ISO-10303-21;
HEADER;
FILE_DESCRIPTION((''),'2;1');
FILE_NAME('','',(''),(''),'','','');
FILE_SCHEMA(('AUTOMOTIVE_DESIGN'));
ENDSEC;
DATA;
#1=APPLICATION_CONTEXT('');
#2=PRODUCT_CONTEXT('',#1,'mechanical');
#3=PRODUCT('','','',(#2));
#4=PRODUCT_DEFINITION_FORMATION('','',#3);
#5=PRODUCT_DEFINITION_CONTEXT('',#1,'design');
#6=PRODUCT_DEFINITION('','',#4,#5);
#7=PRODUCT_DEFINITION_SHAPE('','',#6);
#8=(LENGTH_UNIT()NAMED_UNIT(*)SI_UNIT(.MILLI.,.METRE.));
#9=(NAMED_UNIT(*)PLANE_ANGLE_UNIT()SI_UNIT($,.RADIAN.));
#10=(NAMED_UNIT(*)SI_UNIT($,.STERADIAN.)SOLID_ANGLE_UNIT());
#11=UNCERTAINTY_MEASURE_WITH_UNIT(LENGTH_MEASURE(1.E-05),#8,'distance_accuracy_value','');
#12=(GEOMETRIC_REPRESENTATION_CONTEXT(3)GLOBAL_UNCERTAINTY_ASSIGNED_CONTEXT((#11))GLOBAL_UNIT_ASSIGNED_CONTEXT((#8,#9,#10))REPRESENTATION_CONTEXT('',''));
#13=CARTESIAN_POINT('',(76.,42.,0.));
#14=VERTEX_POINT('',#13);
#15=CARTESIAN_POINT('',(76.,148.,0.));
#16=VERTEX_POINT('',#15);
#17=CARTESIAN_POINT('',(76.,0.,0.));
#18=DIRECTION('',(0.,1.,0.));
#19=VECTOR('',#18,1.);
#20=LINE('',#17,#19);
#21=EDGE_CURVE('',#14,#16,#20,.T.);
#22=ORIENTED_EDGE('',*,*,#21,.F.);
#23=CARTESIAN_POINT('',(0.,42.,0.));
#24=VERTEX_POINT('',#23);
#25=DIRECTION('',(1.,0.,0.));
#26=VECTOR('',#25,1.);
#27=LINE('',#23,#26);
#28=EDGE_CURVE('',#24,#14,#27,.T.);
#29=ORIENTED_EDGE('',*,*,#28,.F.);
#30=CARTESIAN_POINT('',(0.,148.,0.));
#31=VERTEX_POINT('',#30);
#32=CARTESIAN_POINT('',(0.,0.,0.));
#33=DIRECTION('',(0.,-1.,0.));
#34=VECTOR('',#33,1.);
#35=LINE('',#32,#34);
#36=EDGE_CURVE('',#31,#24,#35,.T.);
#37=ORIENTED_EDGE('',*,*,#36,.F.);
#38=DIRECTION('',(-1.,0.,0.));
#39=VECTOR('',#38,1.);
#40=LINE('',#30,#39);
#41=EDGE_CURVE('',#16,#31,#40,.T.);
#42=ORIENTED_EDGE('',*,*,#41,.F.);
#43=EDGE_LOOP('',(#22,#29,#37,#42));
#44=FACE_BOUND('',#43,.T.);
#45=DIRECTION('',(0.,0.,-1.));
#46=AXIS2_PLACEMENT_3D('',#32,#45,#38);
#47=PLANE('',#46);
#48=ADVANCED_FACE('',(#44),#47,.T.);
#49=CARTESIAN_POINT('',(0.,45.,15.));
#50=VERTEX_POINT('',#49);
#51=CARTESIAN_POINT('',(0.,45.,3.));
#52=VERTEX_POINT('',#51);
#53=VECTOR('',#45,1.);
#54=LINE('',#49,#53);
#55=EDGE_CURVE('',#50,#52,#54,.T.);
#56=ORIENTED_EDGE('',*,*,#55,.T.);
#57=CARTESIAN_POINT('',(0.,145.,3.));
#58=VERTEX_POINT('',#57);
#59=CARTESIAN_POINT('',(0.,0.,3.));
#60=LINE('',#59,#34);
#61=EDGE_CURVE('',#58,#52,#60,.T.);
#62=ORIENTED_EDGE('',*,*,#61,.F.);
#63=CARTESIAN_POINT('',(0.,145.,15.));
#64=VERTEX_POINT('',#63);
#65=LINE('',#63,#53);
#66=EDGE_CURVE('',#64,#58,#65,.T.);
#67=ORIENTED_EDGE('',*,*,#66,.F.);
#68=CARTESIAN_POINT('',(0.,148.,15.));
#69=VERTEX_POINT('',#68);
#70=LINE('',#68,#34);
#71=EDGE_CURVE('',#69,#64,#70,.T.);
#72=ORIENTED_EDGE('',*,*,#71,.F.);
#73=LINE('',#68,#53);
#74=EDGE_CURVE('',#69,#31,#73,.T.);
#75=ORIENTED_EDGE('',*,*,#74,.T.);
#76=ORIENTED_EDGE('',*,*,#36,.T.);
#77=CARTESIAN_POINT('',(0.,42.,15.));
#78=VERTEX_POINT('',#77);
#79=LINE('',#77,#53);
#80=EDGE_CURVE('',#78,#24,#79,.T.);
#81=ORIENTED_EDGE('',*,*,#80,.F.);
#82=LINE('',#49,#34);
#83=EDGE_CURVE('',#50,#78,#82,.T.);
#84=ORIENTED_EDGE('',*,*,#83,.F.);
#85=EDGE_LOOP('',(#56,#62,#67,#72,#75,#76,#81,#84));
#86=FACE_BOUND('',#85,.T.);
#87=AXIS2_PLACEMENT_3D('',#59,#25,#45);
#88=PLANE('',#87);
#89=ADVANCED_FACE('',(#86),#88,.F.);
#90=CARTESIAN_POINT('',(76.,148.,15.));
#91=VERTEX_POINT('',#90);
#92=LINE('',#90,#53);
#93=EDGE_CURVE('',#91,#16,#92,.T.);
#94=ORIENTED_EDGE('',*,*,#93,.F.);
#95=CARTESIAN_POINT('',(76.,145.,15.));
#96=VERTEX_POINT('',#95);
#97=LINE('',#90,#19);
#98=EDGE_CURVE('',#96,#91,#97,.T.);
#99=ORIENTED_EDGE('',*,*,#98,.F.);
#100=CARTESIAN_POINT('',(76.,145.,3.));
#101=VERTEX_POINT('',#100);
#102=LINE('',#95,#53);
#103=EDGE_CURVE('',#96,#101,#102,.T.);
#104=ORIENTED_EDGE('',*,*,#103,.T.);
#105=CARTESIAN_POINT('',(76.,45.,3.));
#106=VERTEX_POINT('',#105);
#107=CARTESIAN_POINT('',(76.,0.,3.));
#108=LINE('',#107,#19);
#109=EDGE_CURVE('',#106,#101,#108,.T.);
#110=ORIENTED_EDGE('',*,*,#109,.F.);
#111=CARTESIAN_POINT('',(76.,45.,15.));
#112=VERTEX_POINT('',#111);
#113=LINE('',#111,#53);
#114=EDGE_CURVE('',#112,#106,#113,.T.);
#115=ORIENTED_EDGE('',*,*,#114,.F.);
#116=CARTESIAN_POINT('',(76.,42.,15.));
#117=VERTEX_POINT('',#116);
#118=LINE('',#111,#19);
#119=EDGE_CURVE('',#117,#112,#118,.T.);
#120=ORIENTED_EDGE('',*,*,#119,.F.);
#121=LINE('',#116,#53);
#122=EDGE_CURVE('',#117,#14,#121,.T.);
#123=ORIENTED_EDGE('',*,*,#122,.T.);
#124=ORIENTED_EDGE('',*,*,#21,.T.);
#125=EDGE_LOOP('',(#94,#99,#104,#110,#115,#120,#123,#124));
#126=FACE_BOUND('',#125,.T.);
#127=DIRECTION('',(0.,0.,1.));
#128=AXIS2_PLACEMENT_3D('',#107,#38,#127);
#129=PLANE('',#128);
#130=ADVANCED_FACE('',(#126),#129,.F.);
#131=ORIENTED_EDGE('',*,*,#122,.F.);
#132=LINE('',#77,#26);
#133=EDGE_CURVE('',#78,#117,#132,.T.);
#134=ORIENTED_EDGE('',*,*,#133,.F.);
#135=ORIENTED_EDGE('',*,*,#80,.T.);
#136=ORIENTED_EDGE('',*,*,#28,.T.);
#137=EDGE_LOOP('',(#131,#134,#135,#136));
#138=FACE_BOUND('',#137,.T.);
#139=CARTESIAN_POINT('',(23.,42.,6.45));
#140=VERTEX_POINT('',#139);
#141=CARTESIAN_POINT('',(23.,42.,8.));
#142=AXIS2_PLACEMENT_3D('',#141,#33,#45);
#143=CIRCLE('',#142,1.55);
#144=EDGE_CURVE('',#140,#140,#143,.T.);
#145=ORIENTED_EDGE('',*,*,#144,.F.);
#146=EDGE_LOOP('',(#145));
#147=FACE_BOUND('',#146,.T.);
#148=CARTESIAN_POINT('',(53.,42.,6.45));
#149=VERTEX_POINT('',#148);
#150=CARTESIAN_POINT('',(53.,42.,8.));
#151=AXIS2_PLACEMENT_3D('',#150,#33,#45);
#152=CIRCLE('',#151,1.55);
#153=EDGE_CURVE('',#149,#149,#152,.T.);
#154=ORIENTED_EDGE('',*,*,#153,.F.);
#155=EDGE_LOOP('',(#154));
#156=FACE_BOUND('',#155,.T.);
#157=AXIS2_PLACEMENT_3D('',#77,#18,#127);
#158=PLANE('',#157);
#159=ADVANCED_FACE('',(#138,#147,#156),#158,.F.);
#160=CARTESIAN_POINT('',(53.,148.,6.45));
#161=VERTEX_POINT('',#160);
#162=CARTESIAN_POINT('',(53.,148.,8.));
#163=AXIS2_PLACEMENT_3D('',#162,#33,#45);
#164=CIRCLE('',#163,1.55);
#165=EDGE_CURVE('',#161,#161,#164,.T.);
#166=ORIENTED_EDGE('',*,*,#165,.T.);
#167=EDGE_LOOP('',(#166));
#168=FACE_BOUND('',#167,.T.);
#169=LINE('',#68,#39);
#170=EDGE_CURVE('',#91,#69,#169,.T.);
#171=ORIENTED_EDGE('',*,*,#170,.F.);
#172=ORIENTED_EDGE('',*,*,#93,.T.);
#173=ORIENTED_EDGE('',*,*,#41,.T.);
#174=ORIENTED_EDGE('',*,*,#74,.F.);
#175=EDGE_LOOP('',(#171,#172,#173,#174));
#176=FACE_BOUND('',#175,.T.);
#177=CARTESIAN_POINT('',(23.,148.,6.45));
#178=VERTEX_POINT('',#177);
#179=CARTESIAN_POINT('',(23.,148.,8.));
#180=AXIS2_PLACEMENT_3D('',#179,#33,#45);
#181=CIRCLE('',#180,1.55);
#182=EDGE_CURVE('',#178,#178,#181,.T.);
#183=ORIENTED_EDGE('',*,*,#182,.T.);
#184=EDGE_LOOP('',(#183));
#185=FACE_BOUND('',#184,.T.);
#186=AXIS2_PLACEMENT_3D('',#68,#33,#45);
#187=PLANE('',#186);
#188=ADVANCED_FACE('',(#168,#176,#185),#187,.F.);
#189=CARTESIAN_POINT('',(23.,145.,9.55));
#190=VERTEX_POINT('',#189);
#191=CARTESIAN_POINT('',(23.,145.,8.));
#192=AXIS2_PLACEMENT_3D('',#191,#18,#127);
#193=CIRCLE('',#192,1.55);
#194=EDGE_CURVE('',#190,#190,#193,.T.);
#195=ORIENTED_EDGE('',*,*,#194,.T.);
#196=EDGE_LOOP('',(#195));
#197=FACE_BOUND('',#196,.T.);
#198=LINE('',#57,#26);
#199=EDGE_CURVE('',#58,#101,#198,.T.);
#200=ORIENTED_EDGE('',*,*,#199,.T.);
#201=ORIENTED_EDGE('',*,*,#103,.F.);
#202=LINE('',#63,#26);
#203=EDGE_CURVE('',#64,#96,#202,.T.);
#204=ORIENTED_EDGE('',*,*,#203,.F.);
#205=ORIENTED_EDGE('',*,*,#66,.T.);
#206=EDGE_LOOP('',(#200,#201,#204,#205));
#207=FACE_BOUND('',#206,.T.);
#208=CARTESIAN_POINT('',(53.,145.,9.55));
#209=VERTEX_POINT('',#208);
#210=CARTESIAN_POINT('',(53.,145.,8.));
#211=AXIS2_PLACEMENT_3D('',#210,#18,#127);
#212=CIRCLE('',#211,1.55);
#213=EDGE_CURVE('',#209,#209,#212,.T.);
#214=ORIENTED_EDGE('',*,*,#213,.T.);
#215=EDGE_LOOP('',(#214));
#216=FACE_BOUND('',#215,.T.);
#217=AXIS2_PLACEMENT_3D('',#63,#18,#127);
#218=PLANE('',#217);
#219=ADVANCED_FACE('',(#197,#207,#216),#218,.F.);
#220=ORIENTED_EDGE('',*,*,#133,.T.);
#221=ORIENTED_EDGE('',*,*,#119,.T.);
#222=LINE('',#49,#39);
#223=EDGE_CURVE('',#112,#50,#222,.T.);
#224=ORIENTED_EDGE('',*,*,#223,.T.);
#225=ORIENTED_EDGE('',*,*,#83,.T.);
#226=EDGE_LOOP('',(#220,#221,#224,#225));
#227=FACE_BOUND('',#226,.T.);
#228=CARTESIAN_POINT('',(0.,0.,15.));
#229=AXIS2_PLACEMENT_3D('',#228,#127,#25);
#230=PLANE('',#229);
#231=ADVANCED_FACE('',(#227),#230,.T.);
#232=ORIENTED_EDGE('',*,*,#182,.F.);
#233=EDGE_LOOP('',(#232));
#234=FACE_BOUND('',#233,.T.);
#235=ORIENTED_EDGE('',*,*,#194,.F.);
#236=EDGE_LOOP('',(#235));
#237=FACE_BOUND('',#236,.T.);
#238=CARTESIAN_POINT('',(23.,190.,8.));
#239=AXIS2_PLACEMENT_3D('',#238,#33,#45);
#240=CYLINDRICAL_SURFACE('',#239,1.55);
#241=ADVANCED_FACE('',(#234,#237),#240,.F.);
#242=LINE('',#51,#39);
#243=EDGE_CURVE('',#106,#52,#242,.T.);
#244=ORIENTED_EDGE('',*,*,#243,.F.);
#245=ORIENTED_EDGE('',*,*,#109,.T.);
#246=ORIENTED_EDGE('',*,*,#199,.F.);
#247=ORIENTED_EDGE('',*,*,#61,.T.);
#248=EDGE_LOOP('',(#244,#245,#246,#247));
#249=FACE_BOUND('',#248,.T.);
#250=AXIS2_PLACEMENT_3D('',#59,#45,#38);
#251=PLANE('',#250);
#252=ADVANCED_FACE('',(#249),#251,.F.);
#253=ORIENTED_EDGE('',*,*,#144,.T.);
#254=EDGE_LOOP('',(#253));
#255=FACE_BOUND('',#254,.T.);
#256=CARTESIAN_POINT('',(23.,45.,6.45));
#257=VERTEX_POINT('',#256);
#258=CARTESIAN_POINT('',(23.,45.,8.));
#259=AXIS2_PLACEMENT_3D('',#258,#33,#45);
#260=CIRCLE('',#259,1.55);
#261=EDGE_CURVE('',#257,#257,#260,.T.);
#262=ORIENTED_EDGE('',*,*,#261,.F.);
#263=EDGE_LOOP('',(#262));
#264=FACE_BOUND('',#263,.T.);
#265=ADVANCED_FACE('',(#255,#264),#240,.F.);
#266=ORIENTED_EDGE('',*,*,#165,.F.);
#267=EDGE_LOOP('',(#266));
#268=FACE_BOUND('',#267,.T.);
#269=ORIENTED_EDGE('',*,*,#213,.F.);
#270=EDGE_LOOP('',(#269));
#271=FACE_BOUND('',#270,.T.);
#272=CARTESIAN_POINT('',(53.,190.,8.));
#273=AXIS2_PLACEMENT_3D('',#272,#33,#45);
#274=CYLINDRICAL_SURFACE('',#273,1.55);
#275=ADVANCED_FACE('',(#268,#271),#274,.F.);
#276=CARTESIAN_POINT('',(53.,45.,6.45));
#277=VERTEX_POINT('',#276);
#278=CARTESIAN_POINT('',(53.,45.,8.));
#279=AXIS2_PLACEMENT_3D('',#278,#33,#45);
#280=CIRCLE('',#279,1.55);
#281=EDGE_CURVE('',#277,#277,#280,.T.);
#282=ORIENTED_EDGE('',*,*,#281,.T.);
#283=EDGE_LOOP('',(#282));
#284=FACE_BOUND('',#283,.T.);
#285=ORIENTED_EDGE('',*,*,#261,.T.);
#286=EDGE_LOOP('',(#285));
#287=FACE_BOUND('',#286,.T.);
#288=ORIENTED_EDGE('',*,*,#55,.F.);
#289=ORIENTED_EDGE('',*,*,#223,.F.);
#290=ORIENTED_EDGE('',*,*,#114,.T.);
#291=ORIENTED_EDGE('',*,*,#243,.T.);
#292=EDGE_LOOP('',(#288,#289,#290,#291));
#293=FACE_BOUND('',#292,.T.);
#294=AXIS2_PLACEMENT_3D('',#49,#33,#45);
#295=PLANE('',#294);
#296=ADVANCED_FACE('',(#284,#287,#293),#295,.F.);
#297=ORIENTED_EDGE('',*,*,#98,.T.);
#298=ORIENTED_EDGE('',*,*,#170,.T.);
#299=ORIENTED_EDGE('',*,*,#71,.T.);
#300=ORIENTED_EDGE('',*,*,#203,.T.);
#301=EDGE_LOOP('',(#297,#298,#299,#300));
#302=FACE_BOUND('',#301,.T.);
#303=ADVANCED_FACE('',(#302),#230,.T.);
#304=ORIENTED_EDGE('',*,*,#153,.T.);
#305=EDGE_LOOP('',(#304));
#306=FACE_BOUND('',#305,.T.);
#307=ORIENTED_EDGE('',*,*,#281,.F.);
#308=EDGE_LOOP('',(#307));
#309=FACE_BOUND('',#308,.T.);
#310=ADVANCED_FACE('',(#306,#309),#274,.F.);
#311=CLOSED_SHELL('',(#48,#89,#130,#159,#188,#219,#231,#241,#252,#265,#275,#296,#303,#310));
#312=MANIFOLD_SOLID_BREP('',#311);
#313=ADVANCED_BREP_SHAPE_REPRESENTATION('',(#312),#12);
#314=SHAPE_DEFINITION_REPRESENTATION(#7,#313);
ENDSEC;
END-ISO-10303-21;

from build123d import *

# Parameters (mm, degrees)
SKETCH_1_W          = 76
SKETCH_1_H          = 190
SKETCH_1_R          = 1.55
EXTRUDE_1_DEPTH     = 3
SKETCH_2_W          = 76
SKETCH_2_H          = 3
EXTRUDE_2_DEPTH     = 12
SKETCH_3_R          = 1.55
CUT_EXTRUDE_1_DEPTH = 168.047897323
SKETCH_4_W          = 76
SKETCH_4_H          = 42
CUT_EXTRUDE_2_DEPTH = 10


with BuildPart() as part:
    # 草图1 → 凸台-拉伸1 (new body)
    with BuildSketch(Plane.XY):
        with Locations((38, 95)):
            Rectangle(SKETCH_1_W, SKETCH_1_H)
        with Locations((63, 10)):
            Circle(SKETCH_1_R, mode=Mode.SUBTRACT)
        with Locations((13, 10)):
            Circle(SKETCH_1_R, mode=Mode.SUBTRACT)
        with Locations((63, 180)):
            Circle(SKETCH_1_R, mode=Mode.SUBTRACT)
        with Locations((13, 180)):
            Circle(SKETCH_1_R, mode=Mode.SUBTRACT)
    extrude(amount=EXTRUDE_1_DEPTH)

    # 草图2 → 凸台-拉伸2 (add)
    with BuildSketch(Plane.XY.offset(3)):
        with Locations((38, 43.5)):
            Rectangle(SKETCH_2_W, SKETCH_2_H)
        with Locations((38, 146.5)):
            Rectangle(SKETCH_2_W, SKETCH_2_H)
    extrude(amount=EXTRUDE_2_DEPTH)

    # 草图3 → 切除-拉伸1 (cut, through all)
    with BuildSketch(Plane.XZ.offset(-42)):
        with Locations(Location((23, 8, 0), (0, 0, 270))):
            Circle(SKETCH_3_R)
        with Locations(Location((53, 8, 0), (0, 0, 270))):
            Circle(SKETCH_3_R)
    extrude(amount=-CUT_EXTRUDE_1_DEPTH, mode=Mode.SUBTRACT)

    # 草图4 → 切除-拉伸2 (cut)
    with BuildSketch(Plane.XY.offset(3)):
        with Locations((38, 21)):
            Rectangle(SKETCH_4_W, SKETCH_4_H)
        with Locations((38, 169)):
            Rectangle(SKETCH_4_W, SKETCH_4_H)
    extrude(amount=-CUT_EXTRUDE_2_DEPTH, mode=Mode.SUBTRACT)


solid = part.part
